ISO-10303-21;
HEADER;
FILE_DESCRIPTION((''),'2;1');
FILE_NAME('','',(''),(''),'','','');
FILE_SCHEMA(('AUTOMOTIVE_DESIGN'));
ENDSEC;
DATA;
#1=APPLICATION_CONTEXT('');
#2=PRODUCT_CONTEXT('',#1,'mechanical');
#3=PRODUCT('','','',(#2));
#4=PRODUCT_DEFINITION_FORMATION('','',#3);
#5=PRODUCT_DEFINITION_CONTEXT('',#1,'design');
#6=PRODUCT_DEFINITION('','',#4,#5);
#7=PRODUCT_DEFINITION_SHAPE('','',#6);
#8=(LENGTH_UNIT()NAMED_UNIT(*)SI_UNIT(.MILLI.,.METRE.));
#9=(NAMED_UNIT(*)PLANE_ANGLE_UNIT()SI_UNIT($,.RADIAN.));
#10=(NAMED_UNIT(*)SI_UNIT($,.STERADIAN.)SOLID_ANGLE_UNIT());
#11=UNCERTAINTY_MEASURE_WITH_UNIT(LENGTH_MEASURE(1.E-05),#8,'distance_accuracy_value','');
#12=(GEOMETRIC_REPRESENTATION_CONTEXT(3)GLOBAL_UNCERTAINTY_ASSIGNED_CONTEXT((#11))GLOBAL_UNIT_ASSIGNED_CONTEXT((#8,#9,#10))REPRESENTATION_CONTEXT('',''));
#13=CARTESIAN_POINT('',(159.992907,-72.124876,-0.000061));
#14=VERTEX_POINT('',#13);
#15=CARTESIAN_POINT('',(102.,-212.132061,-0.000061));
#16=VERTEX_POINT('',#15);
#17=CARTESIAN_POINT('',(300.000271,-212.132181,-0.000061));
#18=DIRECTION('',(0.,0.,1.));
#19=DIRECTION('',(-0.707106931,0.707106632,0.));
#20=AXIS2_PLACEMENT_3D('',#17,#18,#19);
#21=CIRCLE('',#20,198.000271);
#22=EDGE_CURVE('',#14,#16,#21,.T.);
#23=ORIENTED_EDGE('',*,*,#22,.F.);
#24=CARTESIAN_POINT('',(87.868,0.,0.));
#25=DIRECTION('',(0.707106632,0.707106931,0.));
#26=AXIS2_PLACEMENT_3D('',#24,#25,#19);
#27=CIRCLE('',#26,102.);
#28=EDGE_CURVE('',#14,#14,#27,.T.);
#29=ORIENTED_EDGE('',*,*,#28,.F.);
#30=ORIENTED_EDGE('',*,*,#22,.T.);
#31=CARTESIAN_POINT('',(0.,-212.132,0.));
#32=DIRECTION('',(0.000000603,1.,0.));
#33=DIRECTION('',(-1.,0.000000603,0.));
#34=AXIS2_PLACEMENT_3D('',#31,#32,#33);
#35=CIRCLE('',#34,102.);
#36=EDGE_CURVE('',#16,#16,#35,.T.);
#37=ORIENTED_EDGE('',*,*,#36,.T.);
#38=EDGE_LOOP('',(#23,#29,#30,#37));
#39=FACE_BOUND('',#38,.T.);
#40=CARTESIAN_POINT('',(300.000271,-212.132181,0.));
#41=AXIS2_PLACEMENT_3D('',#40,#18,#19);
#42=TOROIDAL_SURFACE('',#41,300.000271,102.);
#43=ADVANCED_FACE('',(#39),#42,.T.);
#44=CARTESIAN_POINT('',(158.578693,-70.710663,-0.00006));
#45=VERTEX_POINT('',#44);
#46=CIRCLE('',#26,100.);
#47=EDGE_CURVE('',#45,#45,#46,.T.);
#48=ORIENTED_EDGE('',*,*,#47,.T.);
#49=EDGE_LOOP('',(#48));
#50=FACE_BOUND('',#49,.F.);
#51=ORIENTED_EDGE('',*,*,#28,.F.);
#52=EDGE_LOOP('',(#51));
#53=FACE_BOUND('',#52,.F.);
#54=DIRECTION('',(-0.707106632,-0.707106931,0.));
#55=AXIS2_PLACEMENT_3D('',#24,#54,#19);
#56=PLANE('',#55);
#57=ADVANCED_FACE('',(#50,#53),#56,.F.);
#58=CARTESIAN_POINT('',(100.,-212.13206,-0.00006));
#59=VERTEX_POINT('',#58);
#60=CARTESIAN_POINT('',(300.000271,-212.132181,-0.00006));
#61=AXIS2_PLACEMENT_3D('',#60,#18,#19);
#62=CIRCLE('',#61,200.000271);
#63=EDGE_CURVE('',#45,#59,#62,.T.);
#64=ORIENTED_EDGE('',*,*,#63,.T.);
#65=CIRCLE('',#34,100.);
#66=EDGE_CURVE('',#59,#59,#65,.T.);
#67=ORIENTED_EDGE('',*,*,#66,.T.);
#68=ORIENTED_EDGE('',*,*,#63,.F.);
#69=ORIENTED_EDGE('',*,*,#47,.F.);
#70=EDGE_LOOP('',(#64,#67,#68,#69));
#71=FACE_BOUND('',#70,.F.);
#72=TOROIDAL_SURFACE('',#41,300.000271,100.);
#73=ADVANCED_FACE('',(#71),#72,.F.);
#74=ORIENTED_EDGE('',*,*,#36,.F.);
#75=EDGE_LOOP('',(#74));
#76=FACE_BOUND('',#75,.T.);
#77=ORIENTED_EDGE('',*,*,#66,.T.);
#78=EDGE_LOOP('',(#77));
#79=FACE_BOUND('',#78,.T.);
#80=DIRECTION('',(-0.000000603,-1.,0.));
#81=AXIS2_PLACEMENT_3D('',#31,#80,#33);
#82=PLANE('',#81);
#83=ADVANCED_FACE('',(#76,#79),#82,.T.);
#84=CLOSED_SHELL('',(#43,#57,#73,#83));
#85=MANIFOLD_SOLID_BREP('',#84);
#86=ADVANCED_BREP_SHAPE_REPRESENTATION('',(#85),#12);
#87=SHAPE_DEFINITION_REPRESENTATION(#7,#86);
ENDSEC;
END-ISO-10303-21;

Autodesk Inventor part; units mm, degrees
ref_plane "YZ Plane" through (0, 0, 0) normal (1, 0, 0) x (0, 1, 0)
ref_plane "XZ Plane" through (0, 0, 0) normal (0, 1, 0) x (-1, 0, 0)
sketch "Szkic6" plane through (0, 0, 0) normal (0, 0, 1) x (1, 0, 0)
  line L0 (-29.6067, 0) -> (35.2678, 0) construction
  line L1 (0, 42.3419) -> (0, -58.3726) construction
  arc A0 (87.868, 0) -> (0, -212.132) centre (300, -212.132) ccw
  line L2 (0, -212.132) -> (300, -212.132) construction
  line L3 (300, -212.132) -> (253.6611, -165.7931) construction
  line L4 (87.868, 0) -> (87.868, 0)
  line L5 (0, -212.132) -> (0, -212.132)
  point P0 (0, 0)
  dimension "d24" = 300
  dimension "d31" = 45
  dimension "d36" = 0
  dimension "d37" = 0
ref_plane "Płaszczyzna konstrukcyjna2" through (0, -212.132, 0) normal (0, -1, 0) x (1, 0, 0)
sketch "Szkic8" plane through (0, -212.132, 0) normal (0, -1, 0) x (1, 0, 0)
  circle A0 centre (0, 0) radius 102
  circle A1 centre (0, 0) radius 100
  dimension "d32" = 204
  dimension "d33" = 2
sweep "Przeciągnięcie2" add profiles "Szkic8" path "Szkic6"
equation "\"d32\" = OD"
equation "\"d33\" = THK"
equation "\"d24\" = R"
equation "\"d31\" = KAT"
equation "\"SzerokośćGięciaPodcięcia\" = Grubość"
equation "\"RozmiarPodcięciaNarożnika\" = 4 * Grubość"
equation "\"PromieńPrzejścia\" = PromieńGięcia"
equation "\"Rozmiar_promienia_Jacobiego\" = PromieńGięcia"
equation "\"Wielk_odstępu\" = Grubość"
equation "\"d2\" = PromieńGięcia"
equation "\"d23\" = PromieńGięcia"
equation "\"R\" = 300"
equation "\"OD\" = 204"
equation "\"THK\" = 2"
equation "\"KAT\" = 45deg"
equation "\"PROSTKA\" = 0"
equation "\"Grubość\" = 1.5"
equation "\"PromieńGięcia\" = 3"
properties part number "Kolano 45° ø204x2 R300" material "304L"
